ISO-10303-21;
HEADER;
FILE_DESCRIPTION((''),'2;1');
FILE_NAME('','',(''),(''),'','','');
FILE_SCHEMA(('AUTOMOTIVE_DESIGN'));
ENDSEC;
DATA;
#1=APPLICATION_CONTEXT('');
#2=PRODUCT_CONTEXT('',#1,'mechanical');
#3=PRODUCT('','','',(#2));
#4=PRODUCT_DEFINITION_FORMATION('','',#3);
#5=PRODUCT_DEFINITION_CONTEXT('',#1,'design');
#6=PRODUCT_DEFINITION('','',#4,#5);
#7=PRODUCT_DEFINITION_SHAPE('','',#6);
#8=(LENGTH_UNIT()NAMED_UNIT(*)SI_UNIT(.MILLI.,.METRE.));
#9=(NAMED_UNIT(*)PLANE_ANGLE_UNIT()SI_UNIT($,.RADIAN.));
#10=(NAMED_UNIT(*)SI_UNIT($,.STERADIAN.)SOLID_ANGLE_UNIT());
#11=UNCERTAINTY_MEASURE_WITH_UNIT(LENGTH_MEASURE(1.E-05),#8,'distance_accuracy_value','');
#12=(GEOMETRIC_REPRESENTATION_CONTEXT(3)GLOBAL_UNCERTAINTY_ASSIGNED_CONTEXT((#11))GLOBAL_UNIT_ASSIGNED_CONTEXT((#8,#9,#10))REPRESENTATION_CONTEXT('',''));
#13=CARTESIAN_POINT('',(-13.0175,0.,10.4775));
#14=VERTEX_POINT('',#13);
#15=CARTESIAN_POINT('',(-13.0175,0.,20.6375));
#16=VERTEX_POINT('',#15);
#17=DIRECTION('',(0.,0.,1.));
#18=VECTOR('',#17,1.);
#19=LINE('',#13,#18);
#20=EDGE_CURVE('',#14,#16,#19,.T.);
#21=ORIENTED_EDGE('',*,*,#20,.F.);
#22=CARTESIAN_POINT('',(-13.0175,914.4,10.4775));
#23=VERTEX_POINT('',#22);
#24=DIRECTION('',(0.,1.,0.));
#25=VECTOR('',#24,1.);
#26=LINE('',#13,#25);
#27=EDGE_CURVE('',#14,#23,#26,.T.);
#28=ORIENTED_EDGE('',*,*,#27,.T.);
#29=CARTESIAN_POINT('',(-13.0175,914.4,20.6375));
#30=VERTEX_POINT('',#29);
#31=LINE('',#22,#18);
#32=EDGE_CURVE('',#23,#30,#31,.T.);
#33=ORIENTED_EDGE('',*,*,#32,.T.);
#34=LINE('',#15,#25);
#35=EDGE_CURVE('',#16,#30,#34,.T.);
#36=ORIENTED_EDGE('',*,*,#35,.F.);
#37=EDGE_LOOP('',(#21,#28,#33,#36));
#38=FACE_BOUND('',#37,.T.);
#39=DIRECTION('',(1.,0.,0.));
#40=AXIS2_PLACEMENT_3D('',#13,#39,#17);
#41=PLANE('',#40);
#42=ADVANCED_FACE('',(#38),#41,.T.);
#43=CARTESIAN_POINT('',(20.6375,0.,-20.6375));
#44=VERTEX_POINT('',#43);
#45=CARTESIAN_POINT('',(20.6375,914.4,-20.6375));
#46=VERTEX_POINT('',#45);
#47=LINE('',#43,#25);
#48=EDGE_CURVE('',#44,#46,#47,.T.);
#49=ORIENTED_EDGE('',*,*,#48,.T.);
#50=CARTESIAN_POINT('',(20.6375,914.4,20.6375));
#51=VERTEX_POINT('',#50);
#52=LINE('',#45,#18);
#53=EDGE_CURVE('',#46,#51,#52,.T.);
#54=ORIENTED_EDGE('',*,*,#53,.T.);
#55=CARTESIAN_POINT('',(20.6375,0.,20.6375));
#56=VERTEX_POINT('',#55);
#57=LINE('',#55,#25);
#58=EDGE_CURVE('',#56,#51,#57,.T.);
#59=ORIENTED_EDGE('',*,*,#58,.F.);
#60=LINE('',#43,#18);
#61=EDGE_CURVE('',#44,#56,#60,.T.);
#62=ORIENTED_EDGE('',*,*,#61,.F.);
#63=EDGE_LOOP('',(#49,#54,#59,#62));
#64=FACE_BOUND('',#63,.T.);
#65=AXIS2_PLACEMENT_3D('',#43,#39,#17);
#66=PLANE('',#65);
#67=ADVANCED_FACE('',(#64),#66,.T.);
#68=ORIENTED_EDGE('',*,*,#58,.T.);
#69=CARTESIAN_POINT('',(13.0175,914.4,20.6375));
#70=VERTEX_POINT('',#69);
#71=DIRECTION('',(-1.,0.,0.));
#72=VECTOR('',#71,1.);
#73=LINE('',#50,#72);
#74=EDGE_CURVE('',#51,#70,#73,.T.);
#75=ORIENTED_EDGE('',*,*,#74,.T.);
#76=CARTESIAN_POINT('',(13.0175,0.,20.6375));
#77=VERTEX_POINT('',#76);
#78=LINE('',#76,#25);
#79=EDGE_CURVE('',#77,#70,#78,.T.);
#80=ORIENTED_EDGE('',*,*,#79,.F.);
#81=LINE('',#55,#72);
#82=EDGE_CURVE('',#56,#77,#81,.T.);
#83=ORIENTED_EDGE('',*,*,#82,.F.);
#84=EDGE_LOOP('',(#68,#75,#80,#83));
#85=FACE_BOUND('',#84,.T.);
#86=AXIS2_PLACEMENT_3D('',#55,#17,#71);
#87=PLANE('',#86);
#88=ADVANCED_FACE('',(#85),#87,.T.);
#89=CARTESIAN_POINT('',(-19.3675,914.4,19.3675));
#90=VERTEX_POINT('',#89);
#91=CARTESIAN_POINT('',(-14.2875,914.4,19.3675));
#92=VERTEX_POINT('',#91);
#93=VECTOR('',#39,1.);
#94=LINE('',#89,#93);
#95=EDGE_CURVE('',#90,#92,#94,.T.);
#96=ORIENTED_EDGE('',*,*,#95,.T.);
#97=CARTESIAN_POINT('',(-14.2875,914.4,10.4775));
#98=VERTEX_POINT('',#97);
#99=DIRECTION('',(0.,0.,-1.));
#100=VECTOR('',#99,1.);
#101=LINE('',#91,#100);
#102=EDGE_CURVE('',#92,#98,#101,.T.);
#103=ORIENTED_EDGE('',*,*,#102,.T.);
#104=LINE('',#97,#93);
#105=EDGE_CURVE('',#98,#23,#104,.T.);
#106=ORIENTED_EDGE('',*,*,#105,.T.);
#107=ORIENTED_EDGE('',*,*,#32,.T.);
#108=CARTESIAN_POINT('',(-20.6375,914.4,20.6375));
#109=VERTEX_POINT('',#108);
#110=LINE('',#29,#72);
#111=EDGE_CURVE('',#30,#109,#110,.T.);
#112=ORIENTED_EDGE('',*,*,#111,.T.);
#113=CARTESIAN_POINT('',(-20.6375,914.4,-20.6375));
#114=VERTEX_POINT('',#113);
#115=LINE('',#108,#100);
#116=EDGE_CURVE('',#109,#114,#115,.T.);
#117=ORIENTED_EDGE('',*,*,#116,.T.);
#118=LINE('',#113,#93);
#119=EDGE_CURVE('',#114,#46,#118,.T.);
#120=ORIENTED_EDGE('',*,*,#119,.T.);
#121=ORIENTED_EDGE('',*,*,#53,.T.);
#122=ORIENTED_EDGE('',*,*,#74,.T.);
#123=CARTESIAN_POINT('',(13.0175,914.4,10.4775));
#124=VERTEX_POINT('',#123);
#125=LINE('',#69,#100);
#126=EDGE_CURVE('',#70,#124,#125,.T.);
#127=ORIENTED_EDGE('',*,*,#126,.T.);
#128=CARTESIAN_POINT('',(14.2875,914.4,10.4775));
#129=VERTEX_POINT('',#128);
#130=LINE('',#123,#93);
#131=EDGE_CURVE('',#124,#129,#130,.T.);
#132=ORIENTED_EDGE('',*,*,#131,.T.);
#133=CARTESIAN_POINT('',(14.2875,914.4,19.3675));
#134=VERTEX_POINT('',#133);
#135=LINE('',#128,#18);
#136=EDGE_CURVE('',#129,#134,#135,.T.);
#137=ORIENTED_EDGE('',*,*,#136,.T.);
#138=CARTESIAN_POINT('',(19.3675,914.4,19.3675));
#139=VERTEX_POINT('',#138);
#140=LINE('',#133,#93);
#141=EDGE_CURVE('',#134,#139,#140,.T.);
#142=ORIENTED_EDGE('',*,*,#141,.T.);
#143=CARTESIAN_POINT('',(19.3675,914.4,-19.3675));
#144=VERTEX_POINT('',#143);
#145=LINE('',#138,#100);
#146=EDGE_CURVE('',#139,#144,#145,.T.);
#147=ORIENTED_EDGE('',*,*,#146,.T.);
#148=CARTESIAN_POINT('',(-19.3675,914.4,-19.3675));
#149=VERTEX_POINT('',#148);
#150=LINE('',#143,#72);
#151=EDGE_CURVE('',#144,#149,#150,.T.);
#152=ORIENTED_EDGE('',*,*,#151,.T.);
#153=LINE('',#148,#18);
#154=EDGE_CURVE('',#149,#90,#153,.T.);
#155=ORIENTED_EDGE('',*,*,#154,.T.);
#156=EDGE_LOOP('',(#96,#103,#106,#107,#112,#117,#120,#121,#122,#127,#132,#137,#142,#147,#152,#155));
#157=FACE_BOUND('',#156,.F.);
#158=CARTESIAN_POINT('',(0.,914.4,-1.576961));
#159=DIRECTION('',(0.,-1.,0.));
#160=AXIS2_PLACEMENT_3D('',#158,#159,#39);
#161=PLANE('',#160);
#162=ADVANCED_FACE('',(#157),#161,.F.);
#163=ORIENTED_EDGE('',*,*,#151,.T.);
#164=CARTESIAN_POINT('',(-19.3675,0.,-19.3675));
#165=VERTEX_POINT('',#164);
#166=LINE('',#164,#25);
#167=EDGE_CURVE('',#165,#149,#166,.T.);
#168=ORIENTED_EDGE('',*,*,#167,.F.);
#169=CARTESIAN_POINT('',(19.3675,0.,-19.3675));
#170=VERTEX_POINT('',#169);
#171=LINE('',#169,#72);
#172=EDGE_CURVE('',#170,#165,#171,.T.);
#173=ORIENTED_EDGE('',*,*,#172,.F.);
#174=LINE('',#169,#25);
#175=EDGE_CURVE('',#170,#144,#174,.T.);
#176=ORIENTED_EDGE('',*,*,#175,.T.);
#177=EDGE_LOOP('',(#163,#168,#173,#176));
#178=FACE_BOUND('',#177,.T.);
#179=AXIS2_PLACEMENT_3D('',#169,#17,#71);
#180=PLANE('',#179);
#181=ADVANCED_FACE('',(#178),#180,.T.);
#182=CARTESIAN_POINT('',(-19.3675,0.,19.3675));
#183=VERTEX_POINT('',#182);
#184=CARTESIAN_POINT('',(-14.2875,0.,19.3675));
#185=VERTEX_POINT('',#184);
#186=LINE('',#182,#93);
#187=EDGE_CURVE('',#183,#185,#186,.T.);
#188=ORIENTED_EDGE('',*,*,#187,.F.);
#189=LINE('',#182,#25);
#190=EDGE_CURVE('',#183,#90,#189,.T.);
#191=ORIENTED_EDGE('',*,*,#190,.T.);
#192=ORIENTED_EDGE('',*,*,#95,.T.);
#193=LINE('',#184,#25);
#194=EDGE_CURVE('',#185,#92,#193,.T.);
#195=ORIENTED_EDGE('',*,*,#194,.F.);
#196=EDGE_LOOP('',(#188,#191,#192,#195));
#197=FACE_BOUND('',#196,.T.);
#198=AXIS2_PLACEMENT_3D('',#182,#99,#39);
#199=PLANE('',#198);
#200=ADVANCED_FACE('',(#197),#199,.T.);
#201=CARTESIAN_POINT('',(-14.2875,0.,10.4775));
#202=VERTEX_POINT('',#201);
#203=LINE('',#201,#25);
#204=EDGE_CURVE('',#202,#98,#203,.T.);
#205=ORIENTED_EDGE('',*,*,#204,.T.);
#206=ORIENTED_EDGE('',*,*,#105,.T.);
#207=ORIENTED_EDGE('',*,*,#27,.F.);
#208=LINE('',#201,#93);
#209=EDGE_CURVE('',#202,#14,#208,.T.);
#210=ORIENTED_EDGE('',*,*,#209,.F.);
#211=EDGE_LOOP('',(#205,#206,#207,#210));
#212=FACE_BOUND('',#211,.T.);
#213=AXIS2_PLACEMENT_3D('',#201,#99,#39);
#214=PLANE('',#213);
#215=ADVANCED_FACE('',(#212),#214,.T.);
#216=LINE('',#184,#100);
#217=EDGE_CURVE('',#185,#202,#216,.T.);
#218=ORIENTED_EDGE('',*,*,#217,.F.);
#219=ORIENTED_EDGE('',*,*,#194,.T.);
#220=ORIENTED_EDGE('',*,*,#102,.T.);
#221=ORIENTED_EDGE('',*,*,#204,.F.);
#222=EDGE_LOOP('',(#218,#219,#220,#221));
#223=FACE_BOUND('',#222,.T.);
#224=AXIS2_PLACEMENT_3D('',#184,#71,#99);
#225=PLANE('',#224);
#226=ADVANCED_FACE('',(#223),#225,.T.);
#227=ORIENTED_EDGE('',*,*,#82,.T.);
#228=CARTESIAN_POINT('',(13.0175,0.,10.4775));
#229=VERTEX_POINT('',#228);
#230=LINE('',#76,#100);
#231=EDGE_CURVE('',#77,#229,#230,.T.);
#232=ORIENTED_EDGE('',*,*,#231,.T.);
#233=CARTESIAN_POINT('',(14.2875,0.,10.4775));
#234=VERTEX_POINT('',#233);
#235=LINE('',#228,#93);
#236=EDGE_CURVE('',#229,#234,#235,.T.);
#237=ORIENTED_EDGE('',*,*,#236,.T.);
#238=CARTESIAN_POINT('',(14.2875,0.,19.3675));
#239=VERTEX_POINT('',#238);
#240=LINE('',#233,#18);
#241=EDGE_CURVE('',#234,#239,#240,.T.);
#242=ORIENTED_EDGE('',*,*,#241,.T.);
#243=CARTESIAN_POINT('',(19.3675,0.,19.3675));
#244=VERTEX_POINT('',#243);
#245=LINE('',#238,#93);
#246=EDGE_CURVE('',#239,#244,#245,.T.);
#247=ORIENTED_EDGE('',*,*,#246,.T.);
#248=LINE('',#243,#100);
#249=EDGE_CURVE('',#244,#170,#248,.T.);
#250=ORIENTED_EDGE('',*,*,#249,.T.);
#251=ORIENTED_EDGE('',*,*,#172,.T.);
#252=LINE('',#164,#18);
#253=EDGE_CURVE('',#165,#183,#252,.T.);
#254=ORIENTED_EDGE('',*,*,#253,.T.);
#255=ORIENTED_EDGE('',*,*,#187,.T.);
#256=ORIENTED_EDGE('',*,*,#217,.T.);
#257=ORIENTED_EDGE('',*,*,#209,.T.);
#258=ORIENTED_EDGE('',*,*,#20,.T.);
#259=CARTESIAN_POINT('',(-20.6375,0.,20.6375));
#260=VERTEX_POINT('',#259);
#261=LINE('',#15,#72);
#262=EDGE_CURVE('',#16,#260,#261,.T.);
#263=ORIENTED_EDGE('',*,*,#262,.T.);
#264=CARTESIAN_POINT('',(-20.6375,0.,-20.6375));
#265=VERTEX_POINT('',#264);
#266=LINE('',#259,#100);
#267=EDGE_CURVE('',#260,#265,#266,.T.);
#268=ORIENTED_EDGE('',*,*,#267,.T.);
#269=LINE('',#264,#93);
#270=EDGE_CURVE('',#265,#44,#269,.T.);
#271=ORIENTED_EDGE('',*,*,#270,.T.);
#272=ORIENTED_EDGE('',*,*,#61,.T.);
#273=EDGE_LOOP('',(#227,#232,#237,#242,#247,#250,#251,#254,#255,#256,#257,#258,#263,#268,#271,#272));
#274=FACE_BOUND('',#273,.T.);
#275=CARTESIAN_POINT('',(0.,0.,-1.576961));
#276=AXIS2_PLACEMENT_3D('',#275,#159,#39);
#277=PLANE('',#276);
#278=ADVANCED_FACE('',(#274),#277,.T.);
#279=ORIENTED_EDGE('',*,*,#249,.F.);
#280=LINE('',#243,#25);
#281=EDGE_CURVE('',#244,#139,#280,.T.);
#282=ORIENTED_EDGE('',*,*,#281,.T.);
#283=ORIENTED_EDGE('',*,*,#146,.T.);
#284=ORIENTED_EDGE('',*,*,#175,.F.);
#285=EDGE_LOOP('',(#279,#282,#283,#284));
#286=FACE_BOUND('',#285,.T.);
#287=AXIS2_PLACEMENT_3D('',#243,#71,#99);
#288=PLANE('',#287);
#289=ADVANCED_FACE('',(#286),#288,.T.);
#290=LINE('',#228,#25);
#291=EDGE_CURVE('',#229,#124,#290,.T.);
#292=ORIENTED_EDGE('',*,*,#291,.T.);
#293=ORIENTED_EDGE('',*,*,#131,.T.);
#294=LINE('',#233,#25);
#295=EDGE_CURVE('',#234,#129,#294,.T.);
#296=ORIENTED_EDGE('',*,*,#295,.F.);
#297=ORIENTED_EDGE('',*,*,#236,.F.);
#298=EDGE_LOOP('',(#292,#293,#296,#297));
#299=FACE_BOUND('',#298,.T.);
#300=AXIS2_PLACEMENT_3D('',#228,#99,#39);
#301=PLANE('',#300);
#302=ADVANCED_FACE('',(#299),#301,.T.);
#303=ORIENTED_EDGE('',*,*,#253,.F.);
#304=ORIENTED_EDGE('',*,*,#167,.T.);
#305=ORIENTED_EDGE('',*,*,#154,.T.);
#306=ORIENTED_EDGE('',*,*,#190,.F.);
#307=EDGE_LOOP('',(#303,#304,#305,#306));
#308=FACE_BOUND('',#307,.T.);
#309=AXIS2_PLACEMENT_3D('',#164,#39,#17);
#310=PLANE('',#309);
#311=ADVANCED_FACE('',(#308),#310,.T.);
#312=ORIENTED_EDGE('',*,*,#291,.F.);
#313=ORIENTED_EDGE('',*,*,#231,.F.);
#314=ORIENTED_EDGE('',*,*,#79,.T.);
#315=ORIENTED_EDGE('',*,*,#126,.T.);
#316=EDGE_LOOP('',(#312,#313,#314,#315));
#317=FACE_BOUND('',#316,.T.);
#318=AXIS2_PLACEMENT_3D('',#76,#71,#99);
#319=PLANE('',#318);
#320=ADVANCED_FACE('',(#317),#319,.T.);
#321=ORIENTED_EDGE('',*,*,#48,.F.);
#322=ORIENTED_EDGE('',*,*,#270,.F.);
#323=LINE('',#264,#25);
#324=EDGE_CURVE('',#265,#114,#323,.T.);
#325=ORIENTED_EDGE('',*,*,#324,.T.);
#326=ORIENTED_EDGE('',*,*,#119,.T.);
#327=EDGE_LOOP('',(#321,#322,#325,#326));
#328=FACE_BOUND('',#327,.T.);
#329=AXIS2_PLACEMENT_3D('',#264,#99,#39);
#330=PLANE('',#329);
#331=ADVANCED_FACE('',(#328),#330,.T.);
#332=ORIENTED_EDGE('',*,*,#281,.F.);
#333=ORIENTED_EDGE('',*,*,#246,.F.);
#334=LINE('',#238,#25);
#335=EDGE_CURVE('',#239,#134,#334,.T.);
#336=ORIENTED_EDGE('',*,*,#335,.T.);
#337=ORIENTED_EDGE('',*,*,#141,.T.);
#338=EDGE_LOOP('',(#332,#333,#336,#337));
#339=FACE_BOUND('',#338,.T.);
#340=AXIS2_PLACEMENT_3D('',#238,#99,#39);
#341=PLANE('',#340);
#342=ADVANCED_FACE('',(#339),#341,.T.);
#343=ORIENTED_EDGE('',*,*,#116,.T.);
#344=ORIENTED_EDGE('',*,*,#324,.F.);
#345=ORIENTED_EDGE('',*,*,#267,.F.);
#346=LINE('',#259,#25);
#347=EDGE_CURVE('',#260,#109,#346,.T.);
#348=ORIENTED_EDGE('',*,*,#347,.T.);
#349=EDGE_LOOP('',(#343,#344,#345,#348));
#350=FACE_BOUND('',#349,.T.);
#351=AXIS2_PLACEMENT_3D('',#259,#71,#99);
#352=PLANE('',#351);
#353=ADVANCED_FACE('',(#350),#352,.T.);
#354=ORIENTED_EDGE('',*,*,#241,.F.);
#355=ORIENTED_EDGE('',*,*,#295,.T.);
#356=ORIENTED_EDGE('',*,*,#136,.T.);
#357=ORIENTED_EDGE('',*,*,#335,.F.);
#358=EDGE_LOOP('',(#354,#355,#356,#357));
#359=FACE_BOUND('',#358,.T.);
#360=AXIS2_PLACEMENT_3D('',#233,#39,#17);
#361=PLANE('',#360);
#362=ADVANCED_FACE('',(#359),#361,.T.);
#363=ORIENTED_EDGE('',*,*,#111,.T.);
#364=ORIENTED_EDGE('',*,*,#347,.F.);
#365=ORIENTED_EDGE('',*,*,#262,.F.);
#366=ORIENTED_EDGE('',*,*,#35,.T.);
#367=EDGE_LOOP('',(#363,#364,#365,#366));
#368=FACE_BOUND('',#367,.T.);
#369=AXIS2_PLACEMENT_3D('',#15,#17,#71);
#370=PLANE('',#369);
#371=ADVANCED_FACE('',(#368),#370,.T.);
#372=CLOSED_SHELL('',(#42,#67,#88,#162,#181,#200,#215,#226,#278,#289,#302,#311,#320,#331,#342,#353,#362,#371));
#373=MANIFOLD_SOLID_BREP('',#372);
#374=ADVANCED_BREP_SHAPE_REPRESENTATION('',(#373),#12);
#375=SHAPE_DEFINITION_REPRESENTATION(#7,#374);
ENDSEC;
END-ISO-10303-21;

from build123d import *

# Parameters (mm, degrees)
F1_DEPTH = 914.4


with BuildPart() as f1:
    # F0 (on Front) → F1 (new body)
    with BuildSketch(Plane.XZ):
        Polygon((-13.0175, 20.6375), (-20.6375, 20.6375), (-20.6375, -20.6375), (20.6375, -20.6375), (20.6375, 20.6375), (13.0175, 20.6375), (13.0175, 10.4775), (14.2875, 10.4775), (14.2875, 19.3675), (19.3675, 19.3675), (19.3675, -19.3675), (-19.3675, -19.3675), (-19.3675, 19.3675), (-14.2875, 19.3675), (-14.2875, 10.4775), (-13.0175, 10.4775), align=None)
    extrude(amount=-F1_DEPTH)


solid = f1.part
